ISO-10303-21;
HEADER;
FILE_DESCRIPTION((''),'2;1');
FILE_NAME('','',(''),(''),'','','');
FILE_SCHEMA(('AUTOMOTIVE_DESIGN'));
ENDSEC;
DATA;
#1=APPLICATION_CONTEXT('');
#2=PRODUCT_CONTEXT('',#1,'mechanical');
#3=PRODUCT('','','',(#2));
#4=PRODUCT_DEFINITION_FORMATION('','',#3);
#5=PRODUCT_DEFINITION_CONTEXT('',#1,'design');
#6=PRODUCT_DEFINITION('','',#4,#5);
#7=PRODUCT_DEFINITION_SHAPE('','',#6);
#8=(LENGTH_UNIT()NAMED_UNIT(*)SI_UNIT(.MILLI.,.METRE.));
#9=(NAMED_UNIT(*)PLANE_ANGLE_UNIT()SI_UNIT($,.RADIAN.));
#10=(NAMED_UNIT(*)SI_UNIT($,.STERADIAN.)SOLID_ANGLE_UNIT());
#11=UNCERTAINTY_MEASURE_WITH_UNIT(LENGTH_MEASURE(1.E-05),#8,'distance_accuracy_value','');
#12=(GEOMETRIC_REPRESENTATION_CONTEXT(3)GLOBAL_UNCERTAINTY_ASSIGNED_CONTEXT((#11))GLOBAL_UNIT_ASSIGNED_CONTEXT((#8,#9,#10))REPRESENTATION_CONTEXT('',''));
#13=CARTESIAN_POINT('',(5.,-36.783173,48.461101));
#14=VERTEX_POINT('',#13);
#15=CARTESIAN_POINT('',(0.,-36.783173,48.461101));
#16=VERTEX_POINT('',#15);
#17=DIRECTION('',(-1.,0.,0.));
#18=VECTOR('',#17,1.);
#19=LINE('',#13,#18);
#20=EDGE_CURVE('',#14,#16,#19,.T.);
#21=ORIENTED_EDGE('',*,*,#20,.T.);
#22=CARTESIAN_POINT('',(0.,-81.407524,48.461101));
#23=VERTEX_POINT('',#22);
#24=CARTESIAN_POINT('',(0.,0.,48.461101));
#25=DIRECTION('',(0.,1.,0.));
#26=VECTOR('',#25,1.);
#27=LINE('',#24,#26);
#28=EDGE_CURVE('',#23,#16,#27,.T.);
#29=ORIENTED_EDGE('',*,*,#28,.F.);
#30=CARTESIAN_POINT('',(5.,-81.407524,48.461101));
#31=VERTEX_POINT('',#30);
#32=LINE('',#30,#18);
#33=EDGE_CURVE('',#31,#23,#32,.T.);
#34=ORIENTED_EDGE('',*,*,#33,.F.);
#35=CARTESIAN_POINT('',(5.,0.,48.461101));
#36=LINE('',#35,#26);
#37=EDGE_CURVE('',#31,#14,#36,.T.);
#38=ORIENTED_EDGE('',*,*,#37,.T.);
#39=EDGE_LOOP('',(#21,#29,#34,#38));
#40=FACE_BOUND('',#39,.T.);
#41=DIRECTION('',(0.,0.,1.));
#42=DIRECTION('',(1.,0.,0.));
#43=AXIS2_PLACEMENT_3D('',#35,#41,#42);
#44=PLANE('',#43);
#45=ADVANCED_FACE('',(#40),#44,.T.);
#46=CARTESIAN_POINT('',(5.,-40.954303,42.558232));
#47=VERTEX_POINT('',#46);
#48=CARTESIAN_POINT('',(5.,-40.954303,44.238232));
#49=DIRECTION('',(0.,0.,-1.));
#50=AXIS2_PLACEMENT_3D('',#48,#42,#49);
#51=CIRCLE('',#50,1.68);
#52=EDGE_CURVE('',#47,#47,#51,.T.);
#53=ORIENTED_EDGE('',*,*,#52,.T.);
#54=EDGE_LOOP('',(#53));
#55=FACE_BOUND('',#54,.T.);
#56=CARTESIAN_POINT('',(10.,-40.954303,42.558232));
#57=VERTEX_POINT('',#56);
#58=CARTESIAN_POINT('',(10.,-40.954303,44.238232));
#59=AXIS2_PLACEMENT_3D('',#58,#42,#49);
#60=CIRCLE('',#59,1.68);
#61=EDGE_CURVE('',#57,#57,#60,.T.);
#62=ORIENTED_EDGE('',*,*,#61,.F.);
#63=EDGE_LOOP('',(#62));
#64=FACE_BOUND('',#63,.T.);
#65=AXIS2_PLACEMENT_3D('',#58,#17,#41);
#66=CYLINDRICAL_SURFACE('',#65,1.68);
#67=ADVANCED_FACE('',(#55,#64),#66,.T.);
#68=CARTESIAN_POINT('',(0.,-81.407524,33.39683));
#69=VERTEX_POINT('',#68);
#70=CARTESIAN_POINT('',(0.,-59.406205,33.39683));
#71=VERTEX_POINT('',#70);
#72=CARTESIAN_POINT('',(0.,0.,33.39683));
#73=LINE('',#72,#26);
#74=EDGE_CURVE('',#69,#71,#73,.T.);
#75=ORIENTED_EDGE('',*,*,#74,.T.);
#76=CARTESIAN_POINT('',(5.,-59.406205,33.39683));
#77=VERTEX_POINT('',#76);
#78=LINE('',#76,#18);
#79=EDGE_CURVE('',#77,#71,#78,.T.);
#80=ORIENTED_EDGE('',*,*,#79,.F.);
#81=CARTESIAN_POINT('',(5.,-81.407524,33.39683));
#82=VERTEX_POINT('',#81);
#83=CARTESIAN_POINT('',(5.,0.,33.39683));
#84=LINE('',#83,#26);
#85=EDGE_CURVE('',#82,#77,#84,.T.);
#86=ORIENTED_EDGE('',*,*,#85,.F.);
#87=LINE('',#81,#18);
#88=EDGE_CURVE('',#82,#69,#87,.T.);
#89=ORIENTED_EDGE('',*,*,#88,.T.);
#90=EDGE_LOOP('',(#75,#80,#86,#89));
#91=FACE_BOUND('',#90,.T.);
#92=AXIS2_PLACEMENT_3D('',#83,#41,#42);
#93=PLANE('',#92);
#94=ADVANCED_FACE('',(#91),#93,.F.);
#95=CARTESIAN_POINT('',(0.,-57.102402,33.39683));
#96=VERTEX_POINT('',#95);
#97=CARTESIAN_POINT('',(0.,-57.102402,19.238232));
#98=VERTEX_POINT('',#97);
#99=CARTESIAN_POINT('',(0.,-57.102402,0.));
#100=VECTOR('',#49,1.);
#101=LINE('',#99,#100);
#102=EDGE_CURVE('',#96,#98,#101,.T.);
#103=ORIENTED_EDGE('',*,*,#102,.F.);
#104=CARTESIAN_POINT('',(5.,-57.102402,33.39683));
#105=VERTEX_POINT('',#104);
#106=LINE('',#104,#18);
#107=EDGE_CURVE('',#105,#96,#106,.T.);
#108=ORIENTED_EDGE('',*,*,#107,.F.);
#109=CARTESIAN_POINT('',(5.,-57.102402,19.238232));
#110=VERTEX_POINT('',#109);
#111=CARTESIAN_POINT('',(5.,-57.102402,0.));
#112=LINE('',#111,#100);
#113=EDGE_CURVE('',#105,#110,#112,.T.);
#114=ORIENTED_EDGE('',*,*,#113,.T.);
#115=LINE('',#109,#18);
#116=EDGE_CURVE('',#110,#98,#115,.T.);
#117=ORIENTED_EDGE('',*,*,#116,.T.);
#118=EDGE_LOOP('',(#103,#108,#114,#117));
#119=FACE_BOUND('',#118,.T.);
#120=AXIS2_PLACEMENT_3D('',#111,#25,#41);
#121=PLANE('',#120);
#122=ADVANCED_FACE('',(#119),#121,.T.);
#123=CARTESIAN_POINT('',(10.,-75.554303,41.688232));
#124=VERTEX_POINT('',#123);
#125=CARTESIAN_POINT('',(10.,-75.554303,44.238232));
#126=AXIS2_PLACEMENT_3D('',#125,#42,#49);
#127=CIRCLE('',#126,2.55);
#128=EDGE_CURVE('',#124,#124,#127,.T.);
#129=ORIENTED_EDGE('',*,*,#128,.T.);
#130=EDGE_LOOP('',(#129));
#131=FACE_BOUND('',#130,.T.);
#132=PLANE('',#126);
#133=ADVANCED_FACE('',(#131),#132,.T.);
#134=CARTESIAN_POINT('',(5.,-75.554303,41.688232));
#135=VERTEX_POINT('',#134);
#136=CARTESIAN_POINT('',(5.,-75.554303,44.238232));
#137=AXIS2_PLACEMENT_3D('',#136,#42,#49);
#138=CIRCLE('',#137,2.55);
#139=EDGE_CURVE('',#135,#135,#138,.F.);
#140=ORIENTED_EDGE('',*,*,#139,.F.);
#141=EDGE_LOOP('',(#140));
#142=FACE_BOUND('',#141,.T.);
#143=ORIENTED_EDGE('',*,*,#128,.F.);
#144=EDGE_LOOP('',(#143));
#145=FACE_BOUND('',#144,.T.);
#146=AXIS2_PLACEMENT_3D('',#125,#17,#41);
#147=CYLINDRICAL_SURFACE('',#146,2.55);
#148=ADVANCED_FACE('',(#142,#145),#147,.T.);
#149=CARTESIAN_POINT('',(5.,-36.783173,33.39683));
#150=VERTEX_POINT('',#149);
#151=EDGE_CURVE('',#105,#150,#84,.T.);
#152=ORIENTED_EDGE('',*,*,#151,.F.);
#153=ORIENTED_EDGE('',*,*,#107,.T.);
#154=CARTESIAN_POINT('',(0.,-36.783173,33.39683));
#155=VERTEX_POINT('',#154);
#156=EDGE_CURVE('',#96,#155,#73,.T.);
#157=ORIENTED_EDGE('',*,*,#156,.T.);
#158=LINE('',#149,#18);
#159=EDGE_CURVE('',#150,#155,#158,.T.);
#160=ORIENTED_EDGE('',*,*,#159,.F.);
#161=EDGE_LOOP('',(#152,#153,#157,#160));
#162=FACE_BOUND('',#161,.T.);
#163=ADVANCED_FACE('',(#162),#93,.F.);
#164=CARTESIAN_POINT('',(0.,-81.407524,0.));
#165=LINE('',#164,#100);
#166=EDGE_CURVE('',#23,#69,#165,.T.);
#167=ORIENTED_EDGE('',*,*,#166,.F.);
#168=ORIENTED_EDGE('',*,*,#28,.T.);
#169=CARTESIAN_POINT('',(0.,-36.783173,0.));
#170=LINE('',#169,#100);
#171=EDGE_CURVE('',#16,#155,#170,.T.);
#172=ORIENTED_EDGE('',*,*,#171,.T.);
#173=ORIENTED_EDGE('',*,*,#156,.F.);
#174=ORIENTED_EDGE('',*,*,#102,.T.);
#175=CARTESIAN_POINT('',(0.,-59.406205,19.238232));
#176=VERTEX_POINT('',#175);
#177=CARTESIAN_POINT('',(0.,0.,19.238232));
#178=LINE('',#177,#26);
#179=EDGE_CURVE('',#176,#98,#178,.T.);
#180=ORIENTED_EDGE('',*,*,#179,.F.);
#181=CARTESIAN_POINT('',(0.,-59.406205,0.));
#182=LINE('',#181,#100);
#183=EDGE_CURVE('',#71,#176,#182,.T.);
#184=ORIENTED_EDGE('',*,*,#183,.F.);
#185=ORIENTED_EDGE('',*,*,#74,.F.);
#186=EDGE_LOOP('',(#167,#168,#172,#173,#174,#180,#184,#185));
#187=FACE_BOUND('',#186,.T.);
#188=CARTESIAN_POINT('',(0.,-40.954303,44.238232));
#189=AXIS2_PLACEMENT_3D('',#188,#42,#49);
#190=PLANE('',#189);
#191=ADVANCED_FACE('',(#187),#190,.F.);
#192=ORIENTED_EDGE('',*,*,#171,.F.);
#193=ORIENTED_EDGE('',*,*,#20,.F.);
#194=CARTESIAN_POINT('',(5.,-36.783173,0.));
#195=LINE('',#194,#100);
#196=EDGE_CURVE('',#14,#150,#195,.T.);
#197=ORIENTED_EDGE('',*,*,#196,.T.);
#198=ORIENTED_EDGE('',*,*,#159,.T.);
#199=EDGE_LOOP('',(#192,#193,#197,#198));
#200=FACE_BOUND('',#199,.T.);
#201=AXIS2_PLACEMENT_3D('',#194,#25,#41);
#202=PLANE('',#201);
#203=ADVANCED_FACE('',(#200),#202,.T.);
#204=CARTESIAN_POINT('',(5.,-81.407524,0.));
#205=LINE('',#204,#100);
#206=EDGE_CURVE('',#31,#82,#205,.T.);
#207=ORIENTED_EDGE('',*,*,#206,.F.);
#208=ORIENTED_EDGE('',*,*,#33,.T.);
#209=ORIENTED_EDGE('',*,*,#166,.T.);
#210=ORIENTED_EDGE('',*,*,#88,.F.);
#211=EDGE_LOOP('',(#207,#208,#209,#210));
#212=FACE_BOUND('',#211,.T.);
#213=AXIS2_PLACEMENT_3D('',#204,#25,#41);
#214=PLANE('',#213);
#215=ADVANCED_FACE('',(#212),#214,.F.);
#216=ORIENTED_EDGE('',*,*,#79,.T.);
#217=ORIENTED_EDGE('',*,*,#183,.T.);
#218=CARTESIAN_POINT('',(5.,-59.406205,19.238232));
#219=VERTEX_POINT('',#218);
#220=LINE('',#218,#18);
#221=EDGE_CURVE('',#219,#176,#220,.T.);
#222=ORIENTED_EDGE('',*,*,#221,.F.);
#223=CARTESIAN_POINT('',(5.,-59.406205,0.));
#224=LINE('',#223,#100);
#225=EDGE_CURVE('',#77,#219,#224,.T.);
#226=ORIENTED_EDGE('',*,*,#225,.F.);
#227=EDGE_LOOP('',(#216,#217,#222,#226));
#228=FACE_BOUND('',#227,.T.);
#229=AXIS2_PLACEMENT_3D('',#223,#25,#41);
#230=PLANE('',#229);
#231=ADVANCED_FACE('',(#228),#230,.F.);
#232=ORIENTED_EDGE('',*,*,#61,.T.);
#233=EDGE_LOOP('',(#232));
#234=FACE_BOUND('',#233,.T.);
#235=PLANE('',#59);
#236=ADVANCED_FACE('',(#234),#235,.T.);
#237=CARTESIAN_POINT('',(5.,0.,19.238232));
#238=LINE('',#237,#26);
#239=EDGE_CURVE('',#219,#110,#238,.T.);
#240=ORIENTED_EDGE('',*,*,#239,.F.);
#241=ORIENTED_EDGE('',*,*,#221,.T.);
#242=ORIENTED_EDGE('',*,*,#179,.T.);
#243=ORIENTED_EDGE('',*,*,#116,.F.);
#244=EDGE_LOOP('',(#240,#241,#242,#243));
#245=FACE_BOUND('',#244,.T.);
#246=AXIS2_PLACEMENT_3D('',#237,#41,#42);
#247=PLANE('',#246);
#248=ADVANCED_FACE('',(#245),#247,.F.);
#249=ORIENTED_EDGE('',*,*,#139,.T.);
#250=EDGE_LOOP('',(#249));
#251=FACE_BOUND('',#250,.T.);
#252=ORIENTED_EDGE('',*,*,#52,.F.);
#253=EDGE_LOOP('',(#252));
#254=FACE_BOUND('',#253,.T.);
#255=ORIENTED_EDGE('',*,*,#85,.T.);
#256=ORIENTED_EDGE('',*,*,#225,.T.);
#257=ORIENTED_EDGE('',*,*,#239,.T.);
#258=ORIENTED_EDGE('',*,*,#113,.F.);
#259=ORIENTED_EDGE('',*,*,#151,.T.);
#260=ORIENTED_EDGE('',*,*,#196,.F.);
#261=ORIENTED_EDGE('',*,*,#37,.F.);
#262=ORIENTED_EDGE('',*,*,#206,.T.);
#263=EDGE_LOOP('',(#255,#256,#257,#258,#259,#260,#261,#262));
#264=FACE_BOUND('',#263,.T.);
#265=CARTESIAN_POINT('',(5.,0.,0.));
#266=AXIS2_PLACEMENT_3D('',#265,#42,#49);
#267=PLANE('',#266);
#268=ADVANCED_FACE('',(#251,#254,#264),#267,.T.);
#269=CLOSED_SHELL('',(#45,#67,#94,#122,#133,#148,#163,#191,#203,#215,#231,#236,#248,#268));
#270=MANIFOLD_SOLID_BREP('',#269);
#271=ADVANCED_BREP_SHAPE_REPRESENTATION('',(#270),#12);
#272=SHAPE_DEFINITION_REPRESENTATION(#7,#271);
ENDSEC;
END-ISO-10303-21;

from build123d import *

# Parameters (mm, degrees)
SKETCH1_R             = 2.55
BOSS_EXTRUDE1_DEPTH   = 10
SKETCH1_R_2           = 1.68
BOSS_EXTRUDE1_2_DEPTH = 10
SKETCH2_W             = 2.303802682
SKETCH2_H             = 14.158597278
SKETCH2_H_2           = 10.841402722
BOSS_EXTRUDE2_DEPTH   = 5


with BuildPart() as part:
    # Sketch1 → Boss-Extrude1 (new body)
    with BuildSketch(Plane.YZ):
        with Locations(Location((-75.554303292, 44.238232385, 0), (0, 0, 270))):
            Circle(SKETCH1_R)
    extrude(amount=BOSS_EXTRUDE1_DEPTH)



with BuildPart() as body_2:
    # Sketch1 → Boss-Extrude1 2 (new body)
    with BuildSketch(Plane.YZ):
        with Locations(Location((-40.954303292, 44.238232385, 0), (0, 0, 270))):
            Circle(SKETCH1_R_2)
    extrude(amount=BOSS_EXTRUDE1_2_DEPTH)


with BuildPart() as part_1:
    add(part.part)

    add(body_2.part)  # Boss-Extrude2 merges body 2
    # Sketch2 → Boss-Extrude2 (add)
    with BuildSketch(Plane.YZ):
        with Locations((-58.254303292, 26.317531024)):
            Rectangle(SKETCH2_W, SKETCH2_H)
        with Locations((-58.254303292, 38.817531024)):
            Rectangle(SKETCH2_W, SKETCH2_H_2)
        Polygon((-36.783173072, 48.461100861), (-81.407523603, 48.461100861), (-81.407523603, 33.396829663), (-59.406204633, 33.396829663), (-59.406204633, 44.238232385), (-57.102401951, 44.238232385), (-57.102401951, 33.396829663), (-36.783173072, 33.396829663), align=None)
    extrude(amount=BOSS_EXTRUDE2_DEPTH)


solid = part_1.part
